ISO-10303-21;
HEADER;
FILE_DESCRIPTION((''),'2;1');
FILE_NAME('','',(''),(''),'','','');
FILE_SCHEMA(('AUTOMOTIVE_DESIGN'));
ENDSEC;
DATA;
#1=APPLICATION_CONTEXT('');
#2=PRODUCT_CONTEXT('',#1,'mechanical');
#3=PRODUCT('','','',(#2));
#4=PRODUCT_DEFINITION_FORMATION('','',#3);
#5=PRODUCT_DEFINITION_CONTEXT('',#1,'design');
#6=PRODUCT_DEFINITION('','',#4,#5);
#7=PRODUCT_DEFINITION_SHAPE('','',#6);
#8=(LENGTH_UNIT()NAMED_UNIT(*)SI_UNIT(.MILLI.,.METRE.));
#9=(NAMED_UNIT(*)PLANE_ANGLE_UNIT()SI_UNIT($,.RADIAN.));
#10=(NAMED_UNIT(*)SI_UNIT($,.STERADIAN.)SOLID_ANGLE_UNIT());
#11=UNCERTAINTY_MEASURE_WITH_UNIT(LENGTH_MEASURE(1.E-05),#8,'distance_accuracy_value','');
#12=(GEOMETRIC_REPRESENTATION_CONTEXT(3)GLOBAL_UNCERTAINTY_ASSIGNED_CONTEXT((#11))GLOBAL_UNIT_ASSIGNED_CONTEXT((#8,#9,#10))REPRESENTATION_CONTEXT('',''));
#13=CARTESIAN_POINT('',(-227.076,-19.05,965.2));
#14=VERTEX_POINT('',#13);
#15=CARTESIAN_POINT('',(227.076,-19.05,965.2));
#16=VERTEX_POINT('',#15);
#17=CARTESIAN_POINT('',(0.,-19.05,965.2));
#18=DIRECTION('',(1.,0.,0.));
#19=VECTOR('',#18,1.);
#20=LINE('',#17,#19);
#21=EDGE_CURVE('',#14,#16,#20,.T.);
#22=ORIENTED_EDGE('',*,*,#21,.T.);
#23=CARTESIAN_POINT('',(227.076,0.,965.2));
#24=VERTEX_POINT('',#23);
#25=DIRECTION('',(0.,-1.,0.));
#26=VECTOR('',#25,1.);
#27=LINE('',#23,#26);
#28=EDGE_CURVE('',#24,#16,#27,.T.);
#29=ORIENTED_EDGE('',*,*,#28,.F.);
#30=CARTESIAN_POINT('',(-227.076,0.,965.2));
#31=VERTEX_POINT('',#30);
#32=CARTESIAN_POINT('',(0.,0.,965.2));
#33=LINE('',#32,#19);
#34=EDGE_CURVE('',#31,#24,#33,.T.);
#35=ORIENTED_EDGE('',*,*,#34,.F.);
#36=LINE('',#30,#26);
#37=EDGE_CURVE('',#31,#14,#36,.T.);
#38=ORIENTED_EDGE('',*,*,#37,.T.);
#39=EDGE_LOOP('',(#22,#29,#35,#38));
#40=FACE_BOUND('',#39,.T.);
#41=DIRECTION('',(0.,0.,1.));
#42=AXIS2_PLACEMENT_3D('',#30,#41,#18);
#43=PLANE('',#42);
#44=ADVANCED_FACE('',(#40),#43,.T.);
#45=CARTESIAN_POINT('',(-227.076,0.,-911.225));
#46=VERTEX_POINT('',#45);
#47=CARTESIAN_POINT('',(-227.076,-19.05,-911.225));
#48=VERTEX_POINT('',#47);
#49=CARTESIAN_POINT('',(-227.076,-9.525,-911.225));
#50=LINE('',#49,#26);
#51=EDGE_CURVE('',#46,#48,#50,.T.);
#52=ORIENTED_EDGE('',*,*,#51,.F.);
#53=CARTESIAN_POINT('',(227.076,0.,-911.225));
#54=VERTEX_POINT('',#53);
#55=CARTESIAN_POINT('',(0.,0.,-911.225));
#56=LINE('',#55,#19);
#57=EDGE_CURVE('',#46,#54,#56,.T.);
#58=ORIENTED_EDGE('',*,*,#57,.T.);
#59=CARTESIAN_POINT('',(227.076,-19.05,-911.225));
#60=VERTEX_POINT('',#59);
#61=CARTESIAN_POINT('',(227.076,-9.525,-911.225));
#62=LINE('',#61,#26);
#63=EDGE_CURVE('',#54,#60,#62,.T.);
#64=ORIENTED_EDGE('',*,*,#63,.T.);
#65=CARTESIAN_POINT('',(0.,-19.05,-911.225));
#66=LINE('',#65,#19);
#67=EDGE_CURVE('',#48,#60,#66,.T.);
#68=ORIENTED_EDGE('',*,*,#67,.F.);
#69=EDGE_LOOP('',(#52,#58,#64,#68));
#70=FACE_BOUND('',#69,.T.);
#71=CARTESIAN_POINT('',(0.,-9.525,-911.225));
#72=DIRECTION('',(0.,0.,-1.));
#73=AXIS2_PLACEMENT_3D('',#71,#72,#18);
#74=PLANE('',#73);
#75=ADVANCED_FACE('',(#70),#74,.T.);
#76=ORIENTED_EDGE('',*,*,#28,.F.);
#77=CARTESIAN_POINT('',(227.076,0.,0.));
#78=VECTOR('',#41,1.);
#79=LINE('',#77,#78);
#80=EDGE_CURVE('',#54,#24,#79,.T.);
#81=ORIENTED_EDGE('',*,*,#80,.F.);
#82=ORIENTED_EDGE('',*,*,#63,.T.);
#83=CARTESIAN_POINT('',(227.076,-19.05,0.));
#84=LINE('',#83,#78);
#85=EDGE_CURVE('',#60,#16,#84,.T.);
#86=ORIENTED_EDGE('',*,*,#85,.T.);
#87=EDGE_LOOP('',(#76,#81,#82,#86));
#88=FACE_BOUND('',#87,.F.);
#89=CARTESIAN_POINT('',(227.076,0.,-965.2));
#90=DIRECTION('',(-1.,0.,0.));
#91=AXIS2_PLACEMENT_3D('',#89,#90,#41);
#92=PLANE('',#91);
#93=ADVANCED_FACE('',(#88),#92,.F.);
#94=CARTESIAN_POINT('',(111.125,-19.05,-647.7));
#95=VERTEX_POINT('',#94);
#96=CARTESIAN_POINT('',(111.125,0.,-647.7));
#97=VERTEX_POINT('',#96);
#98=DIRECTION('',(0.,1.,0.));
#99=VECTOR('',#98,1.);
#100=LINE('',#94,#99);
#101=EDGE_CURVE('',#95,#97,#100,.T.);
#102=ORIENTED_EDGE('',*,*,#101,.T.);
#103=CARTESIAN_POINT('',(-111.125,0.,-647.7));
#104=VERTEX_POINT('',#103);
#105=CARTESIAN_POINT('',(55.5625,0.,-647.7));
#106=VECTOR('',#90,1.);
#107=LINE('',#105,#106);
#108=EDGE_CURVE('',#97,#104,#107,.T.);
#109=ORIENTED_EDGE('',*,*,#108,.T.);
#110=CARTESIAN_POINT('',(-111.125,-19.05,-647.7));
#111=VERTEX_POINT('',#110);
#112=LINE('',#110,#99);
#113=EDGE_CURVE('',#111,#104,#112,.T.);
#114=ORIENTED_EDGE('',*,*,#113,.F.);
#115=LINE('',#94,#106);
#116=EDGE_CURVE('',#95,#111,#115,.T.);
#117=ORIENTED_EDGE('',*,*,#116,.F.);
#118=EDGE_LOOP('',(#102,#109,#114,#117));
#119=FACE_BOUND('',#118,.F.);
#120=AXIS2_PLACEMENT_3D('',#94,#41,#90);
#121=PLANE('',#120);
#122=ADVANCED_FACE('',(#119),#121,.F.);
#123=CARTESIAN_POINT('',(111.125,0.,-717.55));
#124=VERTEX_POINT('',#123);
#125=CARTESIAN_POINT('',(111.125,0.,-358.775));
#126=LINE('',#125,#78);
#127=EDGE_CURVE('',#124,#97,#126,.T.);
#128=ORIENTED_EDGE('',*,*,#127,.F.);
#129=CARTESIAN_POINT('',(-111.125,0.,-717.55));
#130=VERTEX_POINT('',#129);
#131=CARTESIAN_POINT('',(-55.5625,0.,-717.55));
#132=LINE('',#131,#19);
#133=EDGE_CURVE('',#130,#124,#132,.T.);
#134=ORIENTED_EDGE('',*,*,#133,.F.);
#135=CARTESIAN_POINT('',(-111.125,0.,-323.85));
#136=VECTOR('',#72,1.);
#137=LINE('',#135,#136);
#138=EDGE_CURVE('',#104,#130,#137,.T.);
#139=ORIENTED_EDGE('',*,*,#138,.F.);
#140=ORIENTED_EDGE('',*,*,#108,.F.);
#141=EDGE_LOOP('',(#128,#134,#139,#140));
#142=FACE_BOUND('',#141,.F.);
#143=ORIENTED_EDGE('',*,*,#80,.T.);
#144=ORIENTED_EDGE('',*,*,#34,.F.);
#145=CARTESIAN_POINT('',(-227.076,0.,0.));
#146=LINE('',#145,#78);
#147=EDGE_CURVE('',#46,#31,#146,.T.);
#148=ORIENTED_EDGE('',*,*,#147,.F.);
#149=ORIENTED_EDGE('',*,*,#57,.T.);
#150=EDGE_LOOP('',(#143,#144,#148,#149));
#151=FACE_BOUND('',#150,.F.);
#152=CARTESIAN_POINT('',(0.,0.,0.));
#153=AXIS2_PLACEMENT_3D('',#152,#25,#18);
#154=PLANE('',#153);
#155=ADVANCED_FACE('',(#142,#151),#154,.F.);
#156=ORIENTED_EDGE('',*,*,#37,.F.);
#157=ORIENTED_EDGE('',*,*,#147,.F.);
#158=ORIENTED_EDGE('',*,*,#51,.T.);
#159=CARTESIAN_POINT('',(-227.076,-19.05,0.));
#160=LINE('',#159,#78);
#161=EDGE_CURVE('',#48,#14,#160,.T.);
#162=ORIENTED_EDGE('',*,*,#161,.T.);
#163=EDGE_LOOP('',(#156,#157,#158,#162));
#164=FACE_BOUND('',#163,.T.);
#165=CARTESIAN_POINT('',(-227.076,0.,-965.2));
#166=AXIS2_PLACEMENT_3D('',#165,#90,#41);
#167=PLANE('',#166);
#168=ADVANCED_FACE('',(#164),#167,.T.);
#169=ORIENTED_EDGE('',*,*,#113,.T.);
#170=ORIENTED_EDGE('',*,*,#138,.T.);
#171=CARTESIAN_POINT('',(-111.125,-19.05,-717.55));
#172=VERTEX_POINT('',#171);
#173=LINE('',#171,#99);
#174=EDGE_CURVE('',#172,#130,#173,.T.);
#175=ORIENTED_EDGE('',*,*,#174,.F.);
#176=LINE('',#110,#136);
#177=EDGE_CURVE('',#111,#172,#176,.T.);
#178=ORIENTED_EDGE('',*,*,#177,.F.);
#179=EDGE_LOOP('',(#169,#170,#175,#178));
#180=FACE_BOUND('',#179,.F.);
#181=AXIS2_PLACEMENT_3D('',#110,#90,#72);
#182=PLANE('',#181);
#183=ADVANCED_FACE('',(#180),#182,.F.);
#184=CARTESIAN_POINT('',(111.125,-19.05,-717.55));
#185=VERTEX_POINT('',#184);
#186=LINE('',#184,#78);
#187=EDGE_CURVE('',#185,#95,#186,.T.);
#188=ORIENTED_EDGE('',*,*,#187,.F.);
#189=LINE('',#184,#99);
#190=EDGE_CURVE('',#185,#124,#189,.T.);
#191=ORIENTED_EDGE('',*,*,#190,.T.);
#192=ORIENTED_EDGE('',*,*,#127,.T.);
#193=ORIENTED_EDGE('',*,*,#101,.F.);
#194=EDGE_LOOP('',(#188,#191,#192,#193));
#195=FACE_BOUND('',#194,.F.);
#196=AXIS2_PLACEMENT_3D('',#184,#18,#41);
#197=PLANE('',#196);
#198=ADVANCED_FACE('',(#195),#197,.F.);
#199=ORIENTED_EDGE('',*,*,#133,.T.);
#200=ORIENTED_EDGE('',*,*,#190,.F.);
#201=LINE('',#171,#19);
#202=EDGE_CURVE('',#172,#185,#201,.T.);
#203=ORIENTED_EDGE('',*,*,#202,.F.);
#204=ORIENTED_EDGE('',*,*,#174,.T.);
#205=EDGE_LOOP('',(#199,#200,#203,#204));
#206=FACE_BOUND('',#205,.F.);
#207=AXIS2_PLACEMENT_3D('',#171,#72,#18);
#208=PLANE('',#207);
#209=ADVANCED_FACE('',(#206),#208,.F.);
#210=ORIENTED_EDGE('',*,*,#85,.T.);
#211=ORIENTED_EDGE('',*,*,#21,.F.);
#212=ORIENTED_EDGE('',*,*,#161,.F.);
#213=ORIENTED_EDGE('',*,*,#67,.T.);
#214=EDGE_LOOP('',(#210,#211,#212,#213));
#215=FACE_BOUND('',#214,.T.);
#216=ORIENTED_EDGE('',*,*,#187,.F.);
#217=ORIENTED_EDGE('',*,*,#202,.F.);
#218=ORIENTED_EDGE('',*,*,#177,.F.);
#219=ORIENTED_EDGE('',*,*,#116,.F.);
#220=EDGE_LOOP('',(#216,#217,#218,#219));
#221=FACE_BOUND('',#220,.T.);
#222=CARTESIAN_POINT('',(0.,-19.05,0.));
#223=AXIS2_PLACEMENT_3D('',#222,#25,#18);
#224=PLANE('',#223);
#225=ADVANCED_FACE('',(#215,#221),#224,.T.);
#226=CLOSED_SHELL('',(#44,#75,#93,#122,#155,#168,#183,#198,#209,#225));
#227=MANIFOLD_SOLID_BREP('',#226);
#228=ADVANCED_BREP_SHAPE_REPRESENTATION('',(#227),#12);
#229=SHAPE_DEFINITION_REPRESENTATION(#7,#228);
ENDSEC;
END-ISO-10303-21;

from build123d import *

# Parameters (mm, degrees)
F0_W      = 454.152
F0_H      = 1930.4
F1_DEPTH  = 19.05
F1_FACE_W = 454.152
F1_FACE_H = 19.05
F2_DEPTH  = 53.975
F4_DEPTH  = 25.4


with BuildPart() as f1:
    # F0 (on Front) → F1 (new body)
    with BuildSketch(Plane.XZ):
        Rectangle(F0_W, F0_H)
    extrude(amount=F1_DEPTH)

    # F1_face (on face) → F2 (cut)
    with BuildSketch(Plane(origin=(0, -9.525, -965.2), x_dir=(1, 0, 0), z_dir=(0, 0, -1))):
        Rectangle(F1_FACE_W, F1_FACE_H)
    extrude(amount=-F2_DEPTH, mode=Mode.SUBTRACT)

    # F3 (on face) → F4 (cut)
    with BuildSketch(Plane.XZ.offset(19.05)):
        Polygon((-111.125, -717.55), (0, -717.55), (111.125, -717.55), (111.125, -647.7), (-111.125, -647.7), align=None)
    extrude(amount=-F4_DEPTH, mode=Mode.SUBTRACT)


solid = f1.part
